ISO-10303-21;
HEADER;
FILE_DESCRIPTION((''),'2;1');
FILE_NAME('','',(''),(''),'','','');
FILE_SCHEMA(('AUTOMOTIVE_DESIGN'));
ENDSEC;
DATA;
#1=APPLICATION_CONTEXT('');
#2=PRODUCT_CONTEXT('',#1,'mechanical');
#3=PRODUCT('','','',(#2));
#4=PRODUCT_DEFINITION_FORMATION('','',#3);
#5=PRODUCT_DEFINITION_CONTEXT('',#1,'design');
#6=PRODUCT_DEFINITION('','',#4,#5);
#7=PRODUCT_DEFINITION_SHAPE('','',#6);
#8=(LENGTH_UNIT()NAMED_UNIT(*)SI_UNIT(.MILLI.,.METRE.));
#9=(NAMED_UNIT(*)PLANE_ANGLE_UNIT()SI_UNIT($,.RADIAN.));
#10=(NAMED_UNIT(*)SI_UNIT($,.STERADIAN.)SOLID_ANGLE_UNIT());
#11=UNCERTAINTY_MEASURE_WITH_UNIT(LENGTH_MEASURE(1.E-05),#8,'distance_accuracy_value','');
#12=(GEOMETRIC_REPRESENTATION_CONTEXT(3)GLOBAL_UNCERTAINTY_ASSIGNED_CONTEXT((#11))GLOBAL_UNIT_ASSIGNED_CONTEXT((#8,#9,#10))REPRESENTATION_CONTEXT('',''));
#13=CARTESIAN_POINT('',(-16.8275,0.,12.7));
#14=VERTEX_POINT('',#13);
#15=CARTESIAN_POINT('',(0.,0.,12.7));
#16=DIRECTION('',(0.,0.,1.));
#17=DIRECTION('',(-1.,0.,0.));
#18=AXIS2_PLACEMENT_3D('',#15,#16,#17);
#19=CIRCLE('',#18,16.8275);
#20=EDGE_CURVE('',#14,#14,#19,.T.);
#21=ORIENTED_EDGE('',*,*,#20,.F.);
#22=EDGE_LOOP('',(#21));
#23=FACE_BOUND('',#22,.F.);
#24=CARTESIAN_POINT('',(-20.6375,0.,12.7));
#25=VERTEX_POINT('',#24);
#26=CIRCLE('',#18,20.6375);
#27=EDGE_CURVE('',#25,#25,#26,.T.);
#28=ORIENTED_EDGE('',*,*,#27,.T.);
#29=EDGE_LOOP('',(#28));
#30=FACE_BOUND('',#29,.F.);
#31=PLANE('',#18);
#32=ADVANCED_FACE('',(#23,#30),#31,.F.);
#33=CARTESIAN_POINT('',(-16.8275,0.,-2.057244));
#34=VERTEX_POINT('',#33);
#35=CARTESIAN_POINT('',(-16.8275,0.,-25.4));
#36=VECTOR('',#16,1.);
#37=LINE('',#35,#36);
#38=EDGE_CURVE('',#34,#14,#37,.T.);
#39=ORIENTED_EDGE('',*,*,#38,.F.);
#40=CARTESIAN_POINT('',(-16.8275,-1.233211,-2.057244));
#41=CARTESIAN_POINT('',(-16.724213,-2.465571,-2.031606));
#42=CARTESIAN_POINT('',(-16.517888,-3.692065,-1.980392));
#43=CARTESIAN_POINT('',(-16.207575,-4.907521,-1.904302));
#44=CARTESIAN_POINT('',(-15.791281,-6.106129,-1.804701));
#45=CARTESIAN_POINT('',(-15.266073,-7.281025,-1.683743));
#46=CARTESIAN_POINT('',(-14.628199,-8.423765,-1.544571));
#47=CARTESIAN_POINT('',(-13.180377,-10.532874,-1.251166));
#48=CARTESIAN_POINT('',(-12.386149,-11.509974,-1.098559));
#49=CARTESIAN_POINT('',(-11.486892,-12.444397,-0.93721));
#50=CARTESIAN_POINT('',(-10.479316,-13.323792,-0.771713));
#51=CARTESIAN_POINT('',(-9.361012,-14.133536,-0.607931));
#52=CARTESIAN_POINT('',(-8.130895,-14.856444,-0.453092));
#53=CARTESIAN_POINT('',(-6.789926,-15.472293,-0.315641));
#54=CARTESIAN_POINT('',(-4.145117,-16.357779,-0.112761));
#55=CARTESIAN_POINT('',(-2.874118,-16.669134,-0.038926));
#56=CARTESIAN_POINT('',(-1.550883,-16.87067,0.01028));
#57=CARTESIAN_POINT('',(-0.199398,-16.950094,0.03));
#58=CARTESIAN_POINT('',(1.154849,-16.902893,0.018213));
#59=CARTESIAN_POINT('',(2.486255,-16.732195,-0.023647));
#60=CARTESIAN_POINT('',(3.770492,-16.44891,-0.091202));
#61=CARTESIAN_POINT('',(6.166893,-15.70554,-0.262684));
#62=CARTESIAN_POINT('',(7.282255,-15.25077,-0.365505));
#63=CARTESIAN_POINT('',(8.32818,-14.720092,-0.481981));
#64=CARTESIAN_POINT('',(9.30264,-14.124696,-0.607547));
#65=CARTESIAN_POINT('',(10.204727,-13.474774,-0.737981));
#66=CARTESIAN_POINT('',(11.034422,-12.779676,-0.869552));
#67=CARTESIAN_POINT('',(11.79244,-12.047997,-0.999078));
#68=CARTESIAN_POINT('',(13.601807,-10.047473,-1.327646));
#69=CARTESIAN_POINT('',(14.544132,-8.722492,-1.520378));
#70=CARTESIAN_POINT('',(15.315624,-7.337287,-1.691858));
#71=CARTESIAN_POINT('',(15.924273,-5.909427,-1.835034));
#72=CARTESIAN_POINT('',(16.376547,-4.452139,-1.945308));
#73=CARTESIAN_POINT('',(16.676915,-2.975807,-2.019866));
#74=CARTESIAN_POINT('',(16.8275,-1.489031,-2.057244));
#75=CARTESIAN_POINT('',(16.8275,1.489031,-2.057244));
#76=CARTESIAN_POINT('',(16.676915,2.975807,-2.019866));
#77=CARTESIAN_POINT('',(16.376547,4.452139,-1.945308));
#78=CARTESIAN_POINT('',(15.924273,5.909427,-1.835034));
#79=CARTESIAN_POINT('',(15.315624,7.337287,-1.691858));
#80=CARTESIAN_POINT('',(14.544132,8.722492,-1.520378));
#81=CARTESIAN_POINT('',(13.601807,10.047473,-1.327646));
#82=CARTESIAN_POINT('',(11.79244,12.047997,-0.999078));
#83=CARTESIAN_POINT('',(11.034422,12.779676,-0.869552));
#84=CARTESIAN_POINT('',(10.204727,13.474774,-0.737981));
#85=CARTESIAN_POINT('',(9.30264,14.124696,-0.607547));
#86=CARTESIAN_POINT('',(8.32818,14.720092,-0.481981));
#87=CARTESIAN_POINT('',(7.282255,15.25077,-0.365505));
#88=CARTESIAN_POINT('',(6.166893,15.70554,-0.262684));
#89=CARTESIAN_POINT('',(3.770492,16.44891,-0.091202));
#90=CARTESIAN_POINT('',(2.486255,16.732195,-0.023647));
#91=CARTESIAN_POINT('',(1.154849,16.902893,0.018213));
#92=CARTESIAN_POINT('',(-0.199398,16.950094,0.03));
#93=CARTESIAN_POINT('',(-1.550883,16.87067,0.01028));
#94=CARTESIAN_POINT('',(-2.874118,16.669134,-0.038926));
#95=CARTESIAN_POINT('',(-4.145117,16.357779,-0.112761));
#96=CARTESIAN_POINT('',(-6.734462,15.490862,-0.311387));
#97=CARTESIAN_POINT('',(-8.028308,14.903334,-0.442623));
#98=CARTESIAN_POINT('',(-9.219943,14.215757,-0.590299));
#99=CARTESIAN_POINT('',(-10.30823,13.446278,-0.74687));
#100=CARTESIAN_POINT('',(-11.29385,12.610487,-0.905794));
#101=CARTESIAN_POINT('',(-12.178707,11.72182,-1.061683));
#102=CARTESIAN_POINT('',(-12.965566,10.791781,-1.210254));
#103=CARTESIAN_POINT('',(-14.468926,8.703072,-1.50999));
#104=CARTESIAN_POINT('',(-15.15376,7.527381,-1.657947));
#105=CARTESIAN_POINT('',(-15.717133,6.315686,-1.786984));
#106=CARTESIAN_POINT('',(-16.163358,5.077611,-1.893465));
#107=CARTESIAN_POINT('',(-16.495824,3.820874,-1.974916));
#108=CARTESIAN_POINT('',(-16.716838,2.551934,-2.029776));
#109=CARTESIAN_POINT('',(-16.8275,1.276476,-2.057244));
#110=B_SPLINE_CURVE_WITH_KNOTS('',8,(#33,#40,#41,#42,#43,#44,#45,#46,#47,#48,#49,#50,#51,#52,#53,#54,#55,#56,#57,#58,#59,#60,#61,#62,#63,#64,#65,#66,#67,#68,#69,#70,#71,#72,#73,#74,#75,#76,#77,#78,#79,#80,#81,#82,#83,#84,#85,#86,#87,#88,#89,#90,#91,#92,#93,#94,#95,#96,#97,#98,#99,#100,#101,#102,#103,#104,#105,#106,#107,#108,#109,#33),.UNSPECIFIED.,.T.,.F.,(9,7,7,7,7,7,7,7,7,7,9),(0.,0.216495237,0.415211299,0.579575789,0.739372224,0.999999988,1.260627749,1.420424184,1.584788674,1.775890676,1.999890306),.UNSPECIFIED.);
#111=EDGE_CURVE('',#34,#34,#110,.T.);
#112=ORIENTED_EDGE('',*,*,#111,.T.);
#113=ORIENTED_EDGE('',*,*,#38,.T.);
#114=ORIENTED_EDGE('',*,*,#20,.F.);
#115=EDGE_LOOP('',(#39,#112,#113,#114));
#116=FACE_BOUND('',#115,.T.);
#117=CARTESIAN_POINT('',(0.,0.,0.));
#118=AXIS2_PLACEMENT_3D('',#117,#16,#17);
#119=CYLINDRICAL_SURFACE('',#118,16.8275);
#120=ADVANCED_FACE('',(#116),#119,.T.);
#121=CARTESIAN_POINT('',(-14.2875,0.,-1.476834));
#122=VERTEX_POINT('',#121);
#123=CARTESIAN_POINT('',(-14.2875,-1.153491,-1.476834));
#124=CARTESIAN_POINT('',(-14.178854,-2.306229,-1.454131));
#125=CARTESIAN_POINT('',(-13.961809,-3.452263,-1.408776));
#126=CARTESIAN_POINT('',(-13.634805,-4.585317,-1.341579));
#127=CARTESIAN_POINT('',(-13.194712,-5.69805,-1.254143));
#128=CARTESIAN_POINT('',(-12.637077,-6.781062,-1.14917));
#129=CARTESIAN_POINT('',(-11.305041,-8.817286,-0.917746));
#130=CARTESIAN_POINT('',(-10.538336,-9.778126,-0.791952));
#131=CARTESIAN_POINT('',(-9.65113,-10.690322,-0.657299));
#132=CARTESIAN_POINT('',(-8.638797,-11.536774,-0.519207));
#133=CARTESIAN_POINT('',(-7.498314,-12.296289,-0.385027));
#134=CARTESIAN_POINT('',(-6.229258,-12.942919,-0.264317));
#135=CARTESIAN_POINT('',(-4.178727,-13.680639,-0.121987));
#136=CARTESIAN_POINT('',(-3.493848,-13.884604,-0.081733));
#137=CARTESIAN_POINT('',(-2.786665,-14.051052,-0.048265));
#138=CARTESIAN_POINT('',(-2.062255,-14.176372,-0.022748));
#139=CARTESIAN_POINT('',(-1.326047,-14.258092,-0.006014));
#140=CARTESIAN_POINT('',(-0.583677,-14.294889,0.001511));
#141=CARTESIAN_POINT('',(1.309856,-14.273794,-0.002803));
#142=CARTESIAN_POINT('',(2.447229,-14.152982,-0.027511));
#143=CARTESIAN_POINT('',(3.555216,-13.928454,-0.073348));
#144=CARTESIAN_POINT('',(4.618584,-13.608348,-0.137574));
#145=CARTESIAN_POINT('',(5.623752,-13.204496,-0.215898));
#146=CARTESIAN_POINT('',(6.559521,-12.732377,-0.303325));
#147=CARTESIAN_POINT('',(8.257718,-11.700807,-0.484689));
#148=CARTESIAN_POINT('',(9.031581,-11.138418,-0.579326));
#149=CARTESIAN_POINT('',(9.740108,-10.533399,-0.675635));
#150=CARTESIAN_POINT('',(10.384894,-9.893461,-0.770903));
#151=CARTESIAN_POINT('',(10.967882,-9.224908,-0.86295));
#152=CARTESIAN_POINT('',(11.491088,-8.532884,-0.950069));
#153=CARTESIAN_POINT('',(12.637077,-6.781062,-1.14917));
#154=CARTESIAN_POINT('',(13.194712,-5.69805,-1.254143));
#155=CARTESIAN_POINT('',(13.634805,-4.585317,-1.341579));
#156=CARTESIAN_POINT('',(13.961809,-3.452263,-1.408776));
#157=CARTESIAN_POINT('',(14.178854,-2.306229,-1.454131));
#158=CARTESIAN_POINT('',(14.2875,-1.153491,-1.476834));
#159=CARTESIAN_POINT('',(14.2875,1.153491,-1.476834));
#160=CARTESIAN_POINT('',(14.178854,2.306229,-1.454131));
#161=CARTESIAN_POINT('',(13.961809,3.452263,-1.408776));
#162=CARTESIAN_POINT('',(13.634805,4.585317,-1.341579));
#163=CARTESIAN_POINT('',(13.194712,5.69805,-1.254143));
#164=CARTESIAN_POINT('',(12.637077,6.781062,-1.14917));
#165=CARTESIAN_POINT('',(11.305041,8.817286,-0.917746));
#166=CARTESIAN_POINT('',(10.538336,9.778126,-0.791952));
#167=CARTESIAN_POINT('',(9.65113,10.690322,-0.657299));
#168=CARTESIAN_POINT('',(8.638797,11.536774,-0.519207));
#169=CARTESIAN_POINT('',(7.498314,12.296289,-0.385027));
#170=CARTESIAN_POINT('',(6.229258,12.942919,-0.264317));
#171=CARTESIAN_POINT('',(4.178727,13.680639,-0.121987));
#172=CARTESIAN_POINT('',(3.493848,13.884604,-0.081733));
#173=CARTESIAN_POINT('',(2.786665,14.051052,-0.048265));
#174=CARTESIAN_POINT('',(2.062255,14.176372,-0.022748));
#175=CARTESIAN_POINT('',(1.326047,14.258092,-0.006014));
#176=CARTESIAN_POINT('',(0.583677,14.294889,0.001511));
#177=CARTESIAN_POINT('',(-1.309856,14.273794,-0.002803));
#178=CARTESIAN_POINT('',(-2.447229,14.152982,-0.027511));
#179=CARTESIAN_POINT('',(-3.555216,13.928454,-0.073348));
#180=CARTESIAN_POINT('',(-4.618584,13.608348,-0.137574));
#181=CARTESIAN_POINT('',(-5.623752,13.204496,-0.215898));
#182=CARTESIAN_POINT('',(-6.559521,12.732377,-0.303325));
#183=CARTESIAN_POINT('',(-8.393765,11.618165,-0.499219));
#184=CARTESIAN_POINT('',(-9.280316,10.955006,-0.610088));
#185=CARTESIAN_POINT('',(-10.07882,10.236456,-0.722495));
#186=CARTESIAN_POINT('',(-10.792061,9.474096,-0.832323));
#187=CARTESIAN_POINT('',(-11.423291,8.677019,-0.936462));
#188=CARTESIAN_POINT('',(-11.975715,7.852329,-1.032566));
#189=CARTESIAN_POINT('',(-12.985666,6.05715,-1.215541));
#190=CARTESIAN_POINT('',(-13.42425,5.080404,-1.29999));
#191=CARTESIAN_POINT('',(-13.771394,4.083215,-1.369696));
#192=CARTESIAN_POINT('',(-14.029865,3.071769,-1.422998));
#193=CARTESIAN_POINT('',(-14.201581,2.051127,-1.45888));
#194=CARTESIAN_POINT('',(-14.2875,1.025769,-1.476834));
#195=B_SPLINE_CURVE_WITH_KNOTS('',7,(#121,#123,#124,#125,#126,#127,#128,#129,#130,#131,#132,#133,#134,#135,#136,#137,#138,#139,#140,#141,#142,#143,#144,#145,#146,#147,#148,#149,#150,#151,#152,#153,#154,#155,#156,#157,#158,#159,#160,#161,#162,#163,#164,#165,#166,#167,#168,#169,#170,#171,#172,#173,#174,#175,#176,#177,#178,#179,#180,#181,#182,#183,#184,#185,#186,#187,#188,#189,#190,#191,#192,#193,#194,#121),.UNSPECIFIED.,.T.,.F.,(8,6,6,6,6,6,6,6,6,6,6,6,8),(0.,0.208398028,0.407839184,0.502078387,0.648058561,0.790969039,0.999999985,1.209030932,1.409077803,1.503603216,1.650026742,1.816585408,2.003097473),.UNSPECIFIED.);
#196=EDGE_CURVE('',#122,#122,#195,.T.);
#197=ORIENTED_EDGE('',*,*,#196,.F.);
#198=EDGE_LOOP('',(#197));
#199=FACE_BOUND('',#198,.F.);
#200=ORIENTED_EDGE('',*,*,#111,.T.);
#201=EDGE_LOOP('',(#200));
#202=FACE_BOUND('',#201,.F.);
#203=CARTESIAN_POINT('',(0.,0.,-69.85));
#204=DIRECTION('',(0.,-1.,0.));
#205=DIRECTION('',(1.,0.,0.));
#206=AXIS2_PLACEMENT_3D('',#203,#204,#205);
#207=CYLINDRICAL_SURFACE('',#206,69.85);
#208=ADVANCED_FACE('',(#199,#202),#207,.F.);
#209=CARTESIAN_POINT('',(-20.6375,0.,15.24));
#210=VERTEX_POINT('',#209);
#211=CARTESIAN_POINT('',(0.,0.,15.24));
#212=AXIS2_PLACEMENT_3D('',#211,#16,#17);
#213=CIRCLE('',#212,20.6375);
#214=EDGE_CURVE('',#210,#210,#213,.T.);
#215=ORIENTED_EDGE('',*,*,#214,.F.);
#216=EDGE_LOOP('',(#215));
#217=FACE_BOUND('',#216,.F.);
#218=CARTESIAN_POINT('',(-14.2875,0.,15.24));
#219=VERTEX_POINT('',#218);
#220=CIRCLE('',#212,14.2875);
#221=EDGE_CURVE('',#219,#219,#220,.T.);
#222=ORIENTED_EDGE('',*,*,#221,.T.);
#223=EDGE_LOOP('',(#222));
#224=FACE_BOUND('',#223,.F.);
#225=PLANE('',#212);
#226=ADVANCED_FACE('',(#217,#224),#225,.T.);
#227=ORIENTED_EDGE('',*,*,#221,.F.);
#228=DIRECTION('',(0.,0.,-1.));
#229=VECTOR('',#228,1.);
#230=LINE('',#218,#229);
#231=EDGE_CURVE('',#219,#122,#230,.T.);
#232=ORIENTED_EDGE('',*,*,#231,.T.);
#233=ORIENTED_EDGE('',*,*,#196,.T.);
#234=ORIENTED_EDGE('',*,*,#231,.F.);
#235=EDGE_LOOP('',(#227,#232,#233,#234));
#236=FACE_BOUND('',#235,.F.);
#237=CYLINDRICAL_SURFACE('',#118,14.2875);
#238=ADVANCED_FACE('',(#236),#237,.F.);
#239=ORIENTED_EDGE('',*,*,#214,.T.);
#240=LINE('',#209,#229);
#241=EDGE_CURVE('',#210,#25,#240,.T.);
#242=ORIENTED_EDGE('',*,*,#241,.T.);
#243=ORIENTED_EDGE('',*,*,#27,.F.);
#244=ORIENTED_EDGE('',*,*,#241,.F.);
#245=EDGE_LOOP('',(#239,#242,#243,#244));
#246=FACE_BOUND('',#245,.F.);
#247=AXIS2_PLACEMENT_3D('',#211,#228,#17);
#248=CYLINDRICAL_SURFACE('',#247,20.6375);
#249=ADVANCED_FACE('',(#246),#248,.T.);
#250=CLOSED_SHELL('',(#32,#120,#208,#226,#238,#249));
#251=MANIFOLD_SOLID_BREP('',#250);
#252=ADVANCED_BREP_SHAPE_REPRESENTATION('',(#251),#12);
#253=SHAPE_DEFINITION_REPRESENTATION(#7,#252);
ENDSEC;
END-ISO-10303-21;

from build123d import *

# Parameters (mm, degrees)
F0_W          = 2.54
F0_H          = 12.7
F3_DEPTH      = 25.4
F2_R          = 69.85
F4_DEPTH      = 25.4
F4_DEPTH_BACK = 25.4


with BuildPart() as f1:
    # F0 (on Front) → F1 (revolve)
    with BuildSketch(Plane.XZ):
        with Locations((-15.5575, 6.35)):
            Rectangle(F0_W, F0_H)
        Polygon((-16.8275, 12.7), (-14.2875, 12.7), (-14.2875, 15.24), (-20.6375, 15.24), (-20.6375, 12.7), align=None)
    revolve(axis=Axis((0, 0, 10.8147247049), (0, 0, 1)))

    # F3 (add): a face of the model
    f3_faces = [f1.faces().sort_by_distance(p)[0] for p in [
        (16.3515464256, 0, 0),
    ]]
    extrude(f3_faces, amount=F3_DEPTH)

    # F2 (on Front) → F4 (cut, two sides)
    with BuildSketch(Plane.XZ) as f4_sk:
        with Locations((0, -69.85)):
            Circle(F2_R)
    extrude(amount=-F4_DEPTH, mode=Mode.SUBTRACT)
    extrude(f4_sk.sketch, amount=F4_DEPTH_BACK, mode=Mode.SUBTRACT)


solid = f1.part
